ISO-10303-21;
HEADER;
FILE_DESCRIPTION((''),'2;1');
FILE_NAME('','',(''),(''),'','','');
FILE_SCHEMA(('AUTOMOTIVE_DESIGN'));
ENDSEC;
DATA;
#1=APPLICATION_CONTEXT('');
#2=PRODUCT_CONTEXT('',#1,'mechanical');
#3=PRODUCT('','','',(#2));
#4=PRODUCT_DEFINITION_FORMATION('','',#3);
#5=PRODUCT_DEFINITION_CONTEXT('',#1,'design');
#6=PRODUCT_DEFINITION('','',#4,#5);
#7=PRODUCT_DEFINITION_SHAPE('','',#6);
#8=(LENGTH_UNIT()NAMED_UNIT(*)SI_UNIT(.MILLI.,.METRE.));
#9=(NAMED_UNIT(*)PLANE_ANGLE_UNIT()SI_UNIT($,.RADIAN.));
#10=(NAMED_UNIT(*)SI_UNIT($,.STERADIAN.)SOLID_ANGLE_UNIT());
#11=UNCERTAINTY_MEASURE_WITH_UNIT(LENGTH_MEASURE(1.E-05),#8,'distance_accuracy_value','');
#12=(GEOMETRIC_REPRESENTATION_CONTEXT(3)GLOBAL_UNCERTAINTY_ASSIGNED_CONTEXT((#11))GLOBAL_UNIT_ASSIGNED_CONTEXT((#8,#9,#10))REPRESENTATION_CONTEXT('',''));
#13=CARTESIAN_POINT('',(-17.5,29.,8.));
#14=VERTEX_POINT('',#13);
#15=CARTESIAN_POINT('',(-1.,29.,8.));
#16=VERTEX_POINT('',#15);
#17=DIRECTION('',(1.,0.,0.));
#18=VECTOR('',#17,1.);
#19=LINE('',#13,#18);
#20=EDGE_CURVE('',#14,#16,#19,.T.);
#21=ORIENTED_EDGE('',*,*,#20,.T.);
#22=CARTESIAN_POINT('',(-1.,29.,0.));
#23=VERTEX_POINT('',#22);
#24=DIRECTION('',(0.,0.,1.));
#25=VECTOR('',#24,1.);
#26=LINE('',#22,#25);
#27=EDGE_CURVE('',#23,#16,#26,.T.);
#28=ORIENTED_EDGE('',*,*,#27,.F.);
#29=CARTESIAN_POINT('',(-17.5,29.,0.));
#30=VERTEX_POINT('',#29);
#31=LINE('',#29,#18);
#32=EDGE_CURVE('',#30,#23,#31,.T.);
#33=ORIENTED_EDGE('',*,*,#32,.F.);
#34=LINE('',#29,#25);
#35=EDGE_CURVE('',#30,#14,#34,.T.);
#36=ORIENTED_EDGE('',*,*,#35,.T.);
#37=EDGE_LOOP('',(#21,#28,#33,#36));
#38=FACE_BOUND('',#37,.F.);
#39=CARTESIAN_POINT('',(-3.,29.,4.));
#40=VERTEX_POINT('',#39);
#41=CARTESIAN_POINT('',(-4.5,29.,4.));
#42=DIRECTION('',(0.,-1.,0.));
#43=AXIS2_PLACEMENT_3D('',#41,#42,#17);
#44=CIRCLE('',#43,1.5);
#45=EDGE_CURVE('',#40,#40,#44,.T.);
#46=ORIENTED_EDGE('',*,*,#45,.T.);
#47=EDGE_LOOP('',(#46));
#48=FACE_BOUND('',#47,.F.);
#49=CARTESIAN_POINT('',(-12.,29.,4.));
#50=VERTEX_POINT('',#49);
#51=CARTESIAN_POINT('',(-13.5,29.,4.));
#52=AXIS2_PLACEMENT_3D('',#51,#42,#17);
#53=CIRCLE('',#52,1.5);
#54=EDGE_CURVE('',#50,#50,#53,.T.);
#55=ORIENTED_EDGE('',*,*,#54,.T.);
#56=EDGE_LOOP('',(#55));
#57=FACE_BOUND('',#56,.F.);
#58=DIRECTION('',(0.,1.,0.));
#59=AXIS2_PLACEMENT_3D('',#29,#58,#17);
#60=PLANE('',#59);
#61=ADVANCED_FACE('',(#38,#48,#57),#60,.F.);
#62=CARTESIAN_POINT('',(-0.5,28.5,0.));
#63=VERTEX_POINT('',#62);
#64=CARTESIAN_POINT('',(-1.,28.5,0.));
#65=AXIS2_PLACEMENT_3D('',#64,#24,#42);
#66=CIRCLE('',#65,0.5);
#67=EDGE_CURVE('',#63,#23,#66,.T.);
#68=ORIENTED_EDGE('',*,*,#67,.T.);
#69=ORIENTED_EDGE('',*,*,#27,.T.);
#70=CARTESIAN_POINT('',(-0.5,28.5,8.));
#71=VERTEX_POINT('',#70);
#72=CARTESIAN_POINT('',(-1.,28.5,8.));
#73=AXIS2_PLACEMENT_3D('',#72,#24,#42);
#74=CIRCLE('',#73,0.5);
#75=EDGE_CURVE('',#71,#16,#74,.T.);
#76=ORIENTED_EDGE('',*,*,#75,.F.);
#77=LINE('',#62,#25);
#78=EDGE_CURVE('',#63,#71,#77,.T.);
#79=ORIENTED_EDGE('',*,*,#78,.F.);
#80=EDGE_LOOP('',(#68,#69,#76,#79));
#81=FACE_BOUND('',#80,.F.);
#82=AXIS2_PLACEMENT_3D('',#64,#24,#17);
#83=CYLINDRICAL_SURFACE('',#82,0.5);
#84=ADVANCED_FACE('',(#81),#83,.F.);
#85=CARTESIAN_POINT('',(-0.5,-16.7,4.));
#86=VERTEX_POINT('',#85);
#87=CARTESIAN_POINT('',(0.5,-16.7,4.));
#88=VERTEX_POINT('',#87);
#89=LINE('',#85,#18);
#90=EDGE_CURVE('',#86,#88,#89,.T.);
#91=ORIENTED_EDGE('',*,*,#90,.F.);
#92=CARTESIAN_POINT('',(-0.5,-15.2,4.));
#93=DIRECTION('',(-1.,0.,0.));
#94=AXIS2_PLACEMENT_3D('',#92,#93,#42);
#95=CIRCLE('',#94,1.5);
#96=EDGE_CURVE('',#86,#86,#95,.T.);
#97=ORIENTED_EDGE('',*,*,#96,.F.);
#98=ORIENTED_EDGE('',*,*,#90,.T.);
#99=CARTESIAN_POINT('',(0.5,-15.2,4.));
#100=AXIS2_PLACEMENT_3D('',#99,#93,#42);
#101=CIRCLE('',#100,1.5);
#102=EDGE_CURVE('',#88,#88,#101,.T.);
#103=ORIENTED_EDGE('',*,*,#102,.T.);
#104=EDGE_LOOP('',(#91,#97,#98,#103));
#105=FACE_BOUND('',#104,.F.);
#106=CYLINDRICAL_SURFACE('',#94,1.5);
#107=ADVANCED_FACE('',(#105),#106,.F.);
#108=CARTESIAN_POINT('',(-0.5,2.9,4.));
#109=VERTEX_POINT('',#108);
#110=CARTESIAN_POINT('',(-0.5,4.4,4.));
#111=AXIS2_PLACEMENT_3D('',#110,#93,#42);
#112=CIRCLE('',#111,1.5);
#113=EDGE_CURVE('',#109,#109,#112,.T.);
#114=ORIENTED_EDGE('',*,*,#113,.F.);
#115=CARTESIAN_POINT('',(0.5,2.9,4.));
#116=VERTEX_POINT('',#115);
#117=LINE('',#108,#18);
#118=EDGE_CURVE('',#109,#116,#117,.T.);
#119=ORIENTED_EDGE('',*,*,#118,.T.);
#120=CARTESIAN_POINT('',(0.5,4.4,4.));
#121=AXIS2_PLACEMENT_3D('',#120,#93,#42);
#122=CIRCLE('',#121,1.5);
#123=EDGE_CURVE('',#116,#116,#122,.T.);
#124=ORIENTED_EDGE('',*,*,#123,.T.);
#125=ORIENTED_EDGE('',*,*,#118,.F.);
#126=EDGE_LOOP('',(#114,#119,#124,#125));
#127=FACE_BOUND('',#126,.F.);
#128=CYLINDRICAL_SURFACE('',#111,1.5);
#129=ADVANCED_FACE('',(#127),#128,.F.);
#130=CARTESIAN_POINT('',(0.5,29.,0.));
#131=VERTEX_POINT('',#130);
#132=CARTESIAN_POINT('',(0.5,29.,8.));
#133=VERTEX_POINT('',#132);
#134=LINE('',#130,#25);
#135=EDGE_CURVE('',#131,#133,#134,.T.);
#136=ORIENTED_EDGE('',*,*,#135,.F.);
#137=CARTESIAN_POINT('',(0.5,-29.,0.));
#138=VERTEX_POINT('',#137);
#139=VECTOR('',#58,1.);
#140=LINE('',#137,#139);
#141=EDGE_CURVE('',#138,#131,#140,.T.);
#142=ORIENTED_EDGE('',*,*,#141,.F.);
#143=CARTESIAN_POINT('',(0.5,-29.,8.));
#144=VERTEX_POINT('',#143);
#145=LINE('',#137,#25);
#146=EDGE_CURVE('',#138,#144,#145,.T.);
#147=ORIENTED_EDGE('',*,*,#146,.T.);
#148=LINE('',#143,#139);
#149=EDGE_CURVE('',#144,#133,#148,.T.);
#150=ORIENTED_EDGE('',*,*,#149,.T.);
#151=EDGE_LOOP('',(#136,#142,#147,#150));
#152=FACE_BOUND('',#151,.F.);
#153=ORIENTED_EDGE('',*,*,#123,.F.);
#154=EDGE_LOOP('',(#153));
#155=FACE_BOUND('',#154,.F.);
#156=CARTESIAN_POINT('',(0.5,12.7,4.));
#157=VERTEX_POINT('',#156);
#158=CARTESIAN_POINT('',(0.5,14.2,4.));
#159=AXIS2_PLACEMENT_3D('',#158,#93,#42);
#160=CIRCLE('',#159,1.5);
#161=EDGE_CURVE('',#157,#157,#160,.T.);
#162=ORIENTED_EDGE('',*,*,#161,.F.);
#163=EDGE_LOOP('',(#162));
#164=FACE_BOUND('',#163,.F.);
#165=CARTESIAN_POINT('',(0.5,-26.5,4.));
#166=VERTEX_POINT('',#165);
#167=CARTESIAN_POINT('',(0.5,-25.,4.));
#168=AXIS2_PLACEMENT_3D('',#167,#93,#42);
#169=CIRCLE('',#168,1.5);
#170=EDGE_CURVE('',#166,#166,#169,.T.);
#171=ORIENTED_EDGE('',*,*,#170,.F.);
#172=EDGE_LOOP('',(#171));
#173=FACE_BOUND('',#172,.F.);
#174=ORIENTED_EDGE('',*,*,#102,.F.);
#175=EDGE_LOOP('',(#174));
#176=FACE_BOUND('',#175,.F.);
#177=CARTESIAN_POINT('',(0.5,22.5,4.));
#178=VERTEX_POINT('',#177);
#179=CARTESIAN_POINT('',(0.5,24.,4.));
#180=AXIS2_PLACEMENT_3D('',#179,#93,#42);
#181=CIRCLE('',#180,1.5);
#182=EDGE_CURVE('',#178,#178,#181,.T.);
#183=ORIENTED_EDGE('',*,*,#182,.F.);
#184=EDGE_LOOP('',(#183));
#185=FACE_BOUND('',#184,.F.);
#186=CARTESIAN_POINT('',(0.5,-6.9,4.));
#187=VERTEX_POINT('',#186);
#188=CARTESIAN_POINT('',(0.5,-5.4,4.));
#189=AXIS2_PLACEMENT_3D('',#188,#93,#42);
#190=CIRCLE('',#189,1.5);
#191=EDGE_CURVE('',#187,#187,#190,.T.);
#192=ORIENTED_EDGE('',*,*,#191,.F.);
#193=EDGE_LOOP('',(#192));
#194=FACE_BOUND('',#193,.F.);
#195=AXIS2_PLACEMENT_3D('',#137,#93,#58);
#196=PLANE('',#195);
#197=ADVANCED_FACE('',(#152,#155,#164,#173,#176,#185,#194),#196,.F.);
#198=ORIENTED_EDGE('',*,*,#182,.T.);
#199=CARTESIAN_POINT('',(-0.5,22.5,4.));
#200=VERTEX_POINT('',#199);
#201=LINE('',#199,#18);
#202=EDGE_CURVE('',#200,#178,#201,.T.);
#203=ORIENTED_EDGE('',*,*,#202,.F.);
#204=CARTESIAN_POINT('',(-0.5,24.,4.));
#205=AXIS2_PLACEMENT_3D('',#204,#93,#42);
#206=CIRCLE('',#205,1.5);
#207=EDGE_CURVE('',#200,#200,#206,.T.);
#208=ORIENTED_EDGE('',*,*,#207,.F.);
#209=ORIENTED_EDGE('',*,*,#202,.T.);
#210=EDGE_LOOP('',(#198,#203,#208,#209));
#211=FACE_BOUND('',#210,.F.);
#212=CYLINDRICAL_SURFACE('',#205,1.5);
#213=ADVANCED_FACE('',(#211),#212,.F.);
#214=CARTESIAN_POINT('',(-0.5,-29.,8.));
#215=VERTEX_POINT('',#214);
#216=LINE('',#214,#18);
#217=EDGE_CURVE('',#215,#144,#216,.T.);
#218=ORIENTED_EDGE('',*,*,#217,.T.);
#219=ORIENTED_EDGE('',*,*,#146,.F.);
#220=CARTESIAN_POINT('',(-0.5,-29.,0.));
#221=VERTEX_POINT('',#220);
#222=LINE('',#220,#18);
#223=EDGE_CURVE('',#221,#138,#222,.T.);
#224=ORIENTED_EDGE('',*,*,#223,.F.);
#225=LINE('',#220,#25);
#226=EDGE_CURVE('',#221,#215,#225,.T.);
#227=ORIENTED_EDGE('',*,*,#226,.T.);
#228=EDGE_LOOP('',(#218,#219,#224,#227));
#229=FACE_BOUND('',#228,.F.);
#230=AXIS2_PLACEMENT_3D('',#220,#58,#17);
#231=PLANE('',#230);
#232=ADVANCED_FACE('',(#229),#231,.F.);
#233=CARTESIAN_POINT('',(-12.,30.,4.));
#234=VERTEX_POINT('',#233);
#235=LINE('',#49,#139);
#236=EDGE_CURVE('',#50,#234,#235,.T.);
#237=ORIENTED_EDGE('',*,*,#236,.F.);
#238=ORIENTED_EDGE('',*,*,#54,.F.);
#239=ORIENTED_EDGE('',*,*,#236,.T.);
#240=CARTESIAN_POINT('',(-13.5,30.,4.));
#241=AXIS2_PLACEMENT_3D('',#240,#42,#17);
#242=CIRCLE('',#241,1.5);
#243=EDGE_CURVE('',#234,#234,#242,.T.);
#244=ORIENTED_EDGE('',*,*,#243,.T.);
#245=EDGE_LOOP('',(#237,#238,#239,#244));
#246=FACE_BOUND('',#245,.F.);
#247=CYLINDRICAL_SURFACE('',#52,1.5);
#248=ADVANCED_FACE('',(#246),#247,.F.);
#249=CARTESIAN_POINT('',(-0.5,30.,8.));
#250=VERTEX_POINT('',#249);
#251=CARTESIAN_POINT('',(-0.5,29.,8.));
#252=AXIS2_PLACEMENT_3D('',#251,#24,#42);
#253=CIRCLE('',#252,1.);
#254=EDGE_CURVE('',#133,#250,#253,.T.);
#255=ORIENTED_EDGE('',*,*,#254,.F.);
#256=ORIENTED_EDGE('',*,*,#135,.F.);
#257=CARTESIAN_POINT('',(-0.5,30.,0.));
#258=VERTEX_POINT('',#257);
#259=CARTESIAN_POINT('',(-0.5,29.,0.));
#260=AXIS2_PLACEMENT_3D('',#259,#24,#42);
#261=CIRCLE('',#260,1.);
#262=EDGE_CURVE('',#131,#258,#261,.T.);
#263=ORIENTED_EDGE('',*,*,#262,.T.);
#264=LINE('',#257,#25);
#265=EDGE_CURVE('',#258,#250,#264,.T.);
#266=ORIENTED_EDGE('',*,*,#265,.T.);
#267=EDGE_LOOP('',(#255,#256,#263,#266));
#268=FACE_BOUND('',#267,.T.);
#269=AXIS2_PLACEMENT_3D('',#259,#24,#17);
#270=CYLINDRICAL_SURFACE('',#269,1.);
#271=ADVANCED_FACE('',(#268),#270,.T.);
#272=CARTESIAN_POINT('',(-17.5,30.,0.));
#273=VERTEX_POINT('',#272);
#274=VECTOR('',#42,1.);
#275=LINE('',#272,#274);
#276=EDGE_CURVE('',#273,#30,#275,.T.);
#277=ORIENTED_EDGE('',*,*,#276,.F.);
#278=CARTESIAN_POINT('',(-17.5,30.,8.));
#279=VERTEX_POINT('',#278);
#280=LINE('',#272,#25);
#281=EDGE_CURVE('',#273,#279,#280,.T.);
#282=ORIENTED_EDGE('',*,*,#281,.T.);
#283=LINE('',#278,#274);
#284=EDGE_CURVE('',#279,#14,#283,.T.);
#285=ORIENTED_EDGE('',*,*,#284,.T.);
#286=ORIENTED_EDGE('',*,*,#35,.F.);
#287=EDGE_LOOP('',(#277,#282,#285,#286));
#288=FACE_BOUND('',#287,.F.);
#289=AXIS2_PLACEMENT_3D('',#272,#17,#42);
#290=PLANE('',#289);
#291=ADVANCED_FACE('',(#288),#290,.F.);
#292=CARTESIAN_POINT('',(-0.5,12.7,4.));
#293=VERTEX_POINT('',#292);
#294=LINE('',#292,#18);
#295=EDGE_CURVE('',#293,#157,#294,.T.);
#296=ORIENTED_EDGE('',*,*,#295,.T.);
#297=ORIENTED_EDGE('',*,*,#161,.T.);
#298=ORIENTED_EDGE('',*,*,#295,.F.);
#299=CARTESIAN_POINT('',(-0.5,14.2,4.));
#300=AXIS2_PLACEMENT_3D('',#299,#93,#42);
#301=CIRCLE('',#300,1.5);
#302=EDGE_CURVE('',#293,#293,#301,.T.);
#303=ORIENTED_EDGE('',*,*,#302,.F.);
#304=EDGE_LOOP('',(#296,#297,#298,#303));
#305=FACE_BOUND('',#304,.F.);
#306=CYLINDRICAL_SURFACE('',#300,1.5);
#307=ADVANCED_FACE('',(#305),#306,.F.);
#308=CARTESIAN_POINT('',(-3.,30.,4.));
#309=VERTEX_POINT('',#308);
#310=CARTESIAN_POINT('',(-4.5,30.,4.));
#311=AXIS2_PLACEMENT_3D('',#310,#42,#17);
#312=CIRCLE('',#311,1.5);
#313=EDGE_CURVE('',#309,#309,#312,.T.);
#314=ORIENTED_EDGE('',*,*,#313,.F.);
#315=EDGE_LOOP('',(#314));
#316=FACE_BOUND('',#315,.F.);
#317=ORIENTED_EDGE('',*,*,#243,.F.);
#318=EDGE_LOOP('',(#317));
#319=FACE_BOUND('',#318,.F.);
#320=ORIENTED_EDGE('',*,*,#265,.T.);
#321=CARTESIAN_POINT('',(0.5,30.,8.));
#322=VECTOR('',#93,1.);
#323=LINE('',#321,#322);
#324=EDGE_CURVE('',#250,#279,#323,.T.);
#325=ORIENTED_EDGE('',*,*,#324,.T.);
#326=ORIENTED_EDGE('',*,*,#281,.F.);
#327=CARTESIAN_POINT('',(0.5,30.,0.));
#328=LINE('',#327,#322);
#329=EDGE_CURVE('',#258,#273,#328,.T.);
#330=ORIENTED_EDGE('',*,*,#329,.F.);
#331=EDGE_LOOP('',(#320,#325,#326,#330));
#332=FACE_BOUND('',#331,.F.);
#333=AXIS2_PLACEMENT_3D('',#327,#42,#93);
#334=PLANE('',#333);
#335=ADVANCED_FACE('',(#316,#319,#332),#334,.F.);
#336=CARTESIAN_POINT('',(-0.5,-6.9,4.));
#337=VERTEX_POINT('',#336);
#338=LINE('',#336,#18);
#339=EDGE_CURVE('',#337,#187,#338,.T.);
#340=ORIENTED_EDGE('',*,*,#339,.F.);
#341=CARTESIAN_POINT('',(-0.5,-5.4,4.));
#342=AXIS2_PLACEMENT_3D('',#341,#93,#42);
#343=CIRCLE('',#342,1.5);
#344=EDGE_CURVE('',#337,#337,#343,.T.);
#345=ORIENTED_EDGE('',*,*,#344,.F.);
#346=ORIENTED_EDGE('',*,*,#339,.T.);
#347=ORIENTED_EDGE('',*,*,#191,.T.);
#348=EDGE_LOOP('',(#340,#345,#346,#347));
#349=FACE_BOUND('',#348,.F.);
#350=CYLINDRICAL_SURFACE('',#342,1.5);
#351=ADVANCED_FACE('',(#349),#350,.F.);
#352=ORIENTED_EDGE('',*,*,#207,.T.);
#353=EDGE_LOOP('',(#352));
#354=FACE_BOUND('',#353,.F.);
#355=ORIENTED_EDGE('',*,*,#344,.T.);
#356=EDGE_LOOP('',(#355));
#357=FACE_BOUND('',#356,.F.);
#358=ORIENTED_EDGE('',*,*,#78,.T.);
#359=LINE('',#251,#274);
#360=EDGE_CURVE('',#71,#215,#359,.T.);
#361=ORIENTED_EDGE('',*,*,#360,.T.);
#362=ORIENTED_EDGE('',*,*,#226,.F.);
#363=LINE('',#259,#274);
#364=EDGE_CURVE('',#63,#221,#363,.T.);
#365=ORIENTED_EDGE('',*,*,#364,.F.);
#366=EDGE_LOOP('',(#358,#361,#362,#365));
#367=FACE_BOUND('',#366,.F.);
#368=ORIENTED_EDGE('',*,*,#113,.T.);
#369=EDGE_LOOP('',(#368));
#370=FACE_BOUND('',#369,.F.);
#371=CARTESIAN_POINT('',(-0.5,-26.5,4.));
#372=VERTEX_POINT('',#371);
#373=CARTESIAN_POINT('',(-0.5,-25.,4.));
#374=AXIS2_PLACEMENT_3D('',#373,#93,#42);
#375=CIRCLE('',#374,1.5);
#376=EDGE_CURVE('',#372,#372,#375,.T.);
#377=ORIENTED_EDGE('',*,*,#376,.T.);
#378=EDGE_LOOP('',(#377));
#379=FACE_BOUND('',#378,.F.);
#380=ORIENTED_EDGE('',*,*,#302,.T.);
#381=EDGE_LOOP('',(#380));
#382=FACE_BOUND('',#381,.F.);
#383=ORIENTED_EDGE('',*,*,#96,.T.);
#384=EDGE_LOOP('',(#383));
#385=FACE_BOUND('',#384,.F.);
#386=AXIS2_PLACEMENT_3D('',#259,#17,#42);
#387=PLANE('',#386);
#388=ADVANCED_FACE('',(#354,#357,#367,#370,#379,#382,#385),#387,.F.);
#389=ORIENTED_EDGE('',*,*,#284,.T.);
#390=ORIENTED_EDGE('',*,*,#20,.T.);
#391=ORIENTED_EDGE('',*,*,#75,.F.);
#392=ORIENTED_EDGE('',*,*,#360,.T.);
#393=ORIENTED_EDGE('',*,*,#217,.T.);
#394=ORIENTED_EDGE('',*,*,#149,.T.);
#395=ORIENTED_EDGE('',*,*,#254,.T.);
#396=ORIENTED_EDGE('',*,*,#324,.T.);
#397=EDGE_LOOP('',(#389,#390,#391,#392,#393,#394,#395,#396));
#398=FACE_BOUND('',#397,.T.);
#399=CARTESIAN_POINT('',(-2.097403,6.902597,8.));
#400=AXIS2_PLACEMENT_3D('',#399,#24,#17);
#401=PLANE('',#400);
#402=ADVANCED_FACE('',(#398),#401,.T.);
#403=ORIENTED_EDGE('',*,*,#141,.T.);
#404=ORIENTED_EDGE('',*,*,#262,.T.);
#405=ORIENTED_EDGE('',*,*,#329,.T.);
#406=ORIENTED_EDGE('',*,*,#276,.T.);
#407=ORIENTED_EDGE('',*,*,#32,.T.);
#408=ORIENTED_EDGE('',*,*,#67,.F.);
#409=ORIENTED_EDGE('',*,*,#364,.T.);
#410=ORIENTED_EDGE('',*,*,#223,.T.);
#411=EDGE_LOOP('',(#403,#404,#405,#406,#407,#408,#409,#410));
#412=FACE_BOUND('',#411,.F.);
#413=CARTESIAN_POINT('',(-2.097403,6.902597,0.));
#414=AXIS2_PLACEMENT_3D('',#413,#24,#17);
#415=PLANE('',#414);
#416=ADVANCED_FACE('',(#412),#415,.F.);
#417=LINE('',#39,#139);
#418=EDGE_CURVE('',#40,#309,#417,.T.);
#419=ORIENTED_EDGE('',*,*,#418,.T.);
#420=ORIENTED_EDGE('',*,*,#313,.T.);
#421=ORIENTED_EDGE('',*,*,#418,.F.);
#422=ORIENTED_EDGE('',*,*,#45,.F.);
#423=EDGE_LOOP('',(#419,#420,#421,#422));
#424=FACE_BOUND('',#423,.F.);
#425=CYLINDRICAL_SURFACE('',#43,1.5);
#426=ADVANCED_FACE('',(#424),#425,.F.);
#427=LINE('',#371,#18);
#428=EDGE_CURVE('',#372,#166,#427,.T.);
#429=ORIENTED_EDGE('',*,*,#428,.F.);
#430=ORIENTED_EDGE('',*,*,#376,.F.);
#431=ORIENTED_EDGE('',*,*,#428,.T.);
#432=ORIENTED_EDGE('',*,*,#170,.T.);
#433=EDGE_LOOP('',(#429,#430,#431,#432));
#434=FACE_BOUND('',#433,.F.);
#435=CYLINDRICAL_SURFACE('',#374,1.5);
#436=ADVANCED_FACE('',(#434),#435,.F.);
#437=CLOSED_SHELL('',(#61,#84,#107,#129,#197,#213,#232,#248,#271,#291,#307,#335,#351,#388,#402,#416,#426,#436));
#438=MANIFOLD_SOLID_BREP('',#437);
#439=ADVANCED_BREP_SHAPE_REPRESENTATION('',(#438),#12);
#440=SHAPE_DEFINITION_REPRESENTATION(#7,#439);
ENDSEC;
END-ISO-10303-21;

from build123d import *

# Parameters (mm, degrees)
F1_DEPTH = 8
F2_R     = 1.5
F3_DEPTH = 25
F4_R     = 1.5
F5_DEPTH = 25
F6_R     = 1
F7_R     = 0.5


with BuildPart() as f1:
    # F0 (on Top) → F1 (new body)
    with BuildSketch(Plane.XY):
        Polygon((-0.5, 29), (-0.5, -29), (0.5, -29), (0.5, 29), (0.5, 30), (-17.5, 30), (-17.5, 29), align=None)
    extrude(amount=F1_DEPTH)

    # F2 (on face) → F3 (cut)
    with BuildSketch(Plane(origin=(-0.5, 0, 0), x_dir=(0, -1, 0), z_dir=(-1, 0, 0))):
        with Locations((25, 4)):
            Circle(F2_R)
        with Locations((15.2, 4)):
            Circle(F2_R)
        with Locations((5.4, 4)):
            Circle(F2_R)
        with Locations((-4.4, 4)):
            Circle(F2_R)
        with Locations((-14.2, 4)):
            Circle(F2_R)
        with Locations((-24, 4)):
            Circle(F2_R)
    extrude(amount=-F3_DEPTH, mode=Mode.SUBTRACT)

    # F4 (on face) → F5 (cut)
    with BuildSketch(Plane.XZ.offset(-29)):
        with Locations((-4.5, 4)):
            Circle(F4_R)
        with Locations((-13.5, 4)):
            Circle(F4_R)
    extrude(amount=-F5_DEPTH, mode=Mode.SUBTRACT)

    # F6
    f6_edges = [f1.edges().sort_by_distance(p)[0] for p in [
        (0.5, 30, 4),
    ]]
    fillet(f6_edges, radius=F6_R)

    # F7
    f7_edges = [f1.edges().sort_by_distance(p)[0] for p in [
        (-0.5, 29, 4),
    ]]
    fillet(f7_edges, radius=F7_R)


solid = f1.part
